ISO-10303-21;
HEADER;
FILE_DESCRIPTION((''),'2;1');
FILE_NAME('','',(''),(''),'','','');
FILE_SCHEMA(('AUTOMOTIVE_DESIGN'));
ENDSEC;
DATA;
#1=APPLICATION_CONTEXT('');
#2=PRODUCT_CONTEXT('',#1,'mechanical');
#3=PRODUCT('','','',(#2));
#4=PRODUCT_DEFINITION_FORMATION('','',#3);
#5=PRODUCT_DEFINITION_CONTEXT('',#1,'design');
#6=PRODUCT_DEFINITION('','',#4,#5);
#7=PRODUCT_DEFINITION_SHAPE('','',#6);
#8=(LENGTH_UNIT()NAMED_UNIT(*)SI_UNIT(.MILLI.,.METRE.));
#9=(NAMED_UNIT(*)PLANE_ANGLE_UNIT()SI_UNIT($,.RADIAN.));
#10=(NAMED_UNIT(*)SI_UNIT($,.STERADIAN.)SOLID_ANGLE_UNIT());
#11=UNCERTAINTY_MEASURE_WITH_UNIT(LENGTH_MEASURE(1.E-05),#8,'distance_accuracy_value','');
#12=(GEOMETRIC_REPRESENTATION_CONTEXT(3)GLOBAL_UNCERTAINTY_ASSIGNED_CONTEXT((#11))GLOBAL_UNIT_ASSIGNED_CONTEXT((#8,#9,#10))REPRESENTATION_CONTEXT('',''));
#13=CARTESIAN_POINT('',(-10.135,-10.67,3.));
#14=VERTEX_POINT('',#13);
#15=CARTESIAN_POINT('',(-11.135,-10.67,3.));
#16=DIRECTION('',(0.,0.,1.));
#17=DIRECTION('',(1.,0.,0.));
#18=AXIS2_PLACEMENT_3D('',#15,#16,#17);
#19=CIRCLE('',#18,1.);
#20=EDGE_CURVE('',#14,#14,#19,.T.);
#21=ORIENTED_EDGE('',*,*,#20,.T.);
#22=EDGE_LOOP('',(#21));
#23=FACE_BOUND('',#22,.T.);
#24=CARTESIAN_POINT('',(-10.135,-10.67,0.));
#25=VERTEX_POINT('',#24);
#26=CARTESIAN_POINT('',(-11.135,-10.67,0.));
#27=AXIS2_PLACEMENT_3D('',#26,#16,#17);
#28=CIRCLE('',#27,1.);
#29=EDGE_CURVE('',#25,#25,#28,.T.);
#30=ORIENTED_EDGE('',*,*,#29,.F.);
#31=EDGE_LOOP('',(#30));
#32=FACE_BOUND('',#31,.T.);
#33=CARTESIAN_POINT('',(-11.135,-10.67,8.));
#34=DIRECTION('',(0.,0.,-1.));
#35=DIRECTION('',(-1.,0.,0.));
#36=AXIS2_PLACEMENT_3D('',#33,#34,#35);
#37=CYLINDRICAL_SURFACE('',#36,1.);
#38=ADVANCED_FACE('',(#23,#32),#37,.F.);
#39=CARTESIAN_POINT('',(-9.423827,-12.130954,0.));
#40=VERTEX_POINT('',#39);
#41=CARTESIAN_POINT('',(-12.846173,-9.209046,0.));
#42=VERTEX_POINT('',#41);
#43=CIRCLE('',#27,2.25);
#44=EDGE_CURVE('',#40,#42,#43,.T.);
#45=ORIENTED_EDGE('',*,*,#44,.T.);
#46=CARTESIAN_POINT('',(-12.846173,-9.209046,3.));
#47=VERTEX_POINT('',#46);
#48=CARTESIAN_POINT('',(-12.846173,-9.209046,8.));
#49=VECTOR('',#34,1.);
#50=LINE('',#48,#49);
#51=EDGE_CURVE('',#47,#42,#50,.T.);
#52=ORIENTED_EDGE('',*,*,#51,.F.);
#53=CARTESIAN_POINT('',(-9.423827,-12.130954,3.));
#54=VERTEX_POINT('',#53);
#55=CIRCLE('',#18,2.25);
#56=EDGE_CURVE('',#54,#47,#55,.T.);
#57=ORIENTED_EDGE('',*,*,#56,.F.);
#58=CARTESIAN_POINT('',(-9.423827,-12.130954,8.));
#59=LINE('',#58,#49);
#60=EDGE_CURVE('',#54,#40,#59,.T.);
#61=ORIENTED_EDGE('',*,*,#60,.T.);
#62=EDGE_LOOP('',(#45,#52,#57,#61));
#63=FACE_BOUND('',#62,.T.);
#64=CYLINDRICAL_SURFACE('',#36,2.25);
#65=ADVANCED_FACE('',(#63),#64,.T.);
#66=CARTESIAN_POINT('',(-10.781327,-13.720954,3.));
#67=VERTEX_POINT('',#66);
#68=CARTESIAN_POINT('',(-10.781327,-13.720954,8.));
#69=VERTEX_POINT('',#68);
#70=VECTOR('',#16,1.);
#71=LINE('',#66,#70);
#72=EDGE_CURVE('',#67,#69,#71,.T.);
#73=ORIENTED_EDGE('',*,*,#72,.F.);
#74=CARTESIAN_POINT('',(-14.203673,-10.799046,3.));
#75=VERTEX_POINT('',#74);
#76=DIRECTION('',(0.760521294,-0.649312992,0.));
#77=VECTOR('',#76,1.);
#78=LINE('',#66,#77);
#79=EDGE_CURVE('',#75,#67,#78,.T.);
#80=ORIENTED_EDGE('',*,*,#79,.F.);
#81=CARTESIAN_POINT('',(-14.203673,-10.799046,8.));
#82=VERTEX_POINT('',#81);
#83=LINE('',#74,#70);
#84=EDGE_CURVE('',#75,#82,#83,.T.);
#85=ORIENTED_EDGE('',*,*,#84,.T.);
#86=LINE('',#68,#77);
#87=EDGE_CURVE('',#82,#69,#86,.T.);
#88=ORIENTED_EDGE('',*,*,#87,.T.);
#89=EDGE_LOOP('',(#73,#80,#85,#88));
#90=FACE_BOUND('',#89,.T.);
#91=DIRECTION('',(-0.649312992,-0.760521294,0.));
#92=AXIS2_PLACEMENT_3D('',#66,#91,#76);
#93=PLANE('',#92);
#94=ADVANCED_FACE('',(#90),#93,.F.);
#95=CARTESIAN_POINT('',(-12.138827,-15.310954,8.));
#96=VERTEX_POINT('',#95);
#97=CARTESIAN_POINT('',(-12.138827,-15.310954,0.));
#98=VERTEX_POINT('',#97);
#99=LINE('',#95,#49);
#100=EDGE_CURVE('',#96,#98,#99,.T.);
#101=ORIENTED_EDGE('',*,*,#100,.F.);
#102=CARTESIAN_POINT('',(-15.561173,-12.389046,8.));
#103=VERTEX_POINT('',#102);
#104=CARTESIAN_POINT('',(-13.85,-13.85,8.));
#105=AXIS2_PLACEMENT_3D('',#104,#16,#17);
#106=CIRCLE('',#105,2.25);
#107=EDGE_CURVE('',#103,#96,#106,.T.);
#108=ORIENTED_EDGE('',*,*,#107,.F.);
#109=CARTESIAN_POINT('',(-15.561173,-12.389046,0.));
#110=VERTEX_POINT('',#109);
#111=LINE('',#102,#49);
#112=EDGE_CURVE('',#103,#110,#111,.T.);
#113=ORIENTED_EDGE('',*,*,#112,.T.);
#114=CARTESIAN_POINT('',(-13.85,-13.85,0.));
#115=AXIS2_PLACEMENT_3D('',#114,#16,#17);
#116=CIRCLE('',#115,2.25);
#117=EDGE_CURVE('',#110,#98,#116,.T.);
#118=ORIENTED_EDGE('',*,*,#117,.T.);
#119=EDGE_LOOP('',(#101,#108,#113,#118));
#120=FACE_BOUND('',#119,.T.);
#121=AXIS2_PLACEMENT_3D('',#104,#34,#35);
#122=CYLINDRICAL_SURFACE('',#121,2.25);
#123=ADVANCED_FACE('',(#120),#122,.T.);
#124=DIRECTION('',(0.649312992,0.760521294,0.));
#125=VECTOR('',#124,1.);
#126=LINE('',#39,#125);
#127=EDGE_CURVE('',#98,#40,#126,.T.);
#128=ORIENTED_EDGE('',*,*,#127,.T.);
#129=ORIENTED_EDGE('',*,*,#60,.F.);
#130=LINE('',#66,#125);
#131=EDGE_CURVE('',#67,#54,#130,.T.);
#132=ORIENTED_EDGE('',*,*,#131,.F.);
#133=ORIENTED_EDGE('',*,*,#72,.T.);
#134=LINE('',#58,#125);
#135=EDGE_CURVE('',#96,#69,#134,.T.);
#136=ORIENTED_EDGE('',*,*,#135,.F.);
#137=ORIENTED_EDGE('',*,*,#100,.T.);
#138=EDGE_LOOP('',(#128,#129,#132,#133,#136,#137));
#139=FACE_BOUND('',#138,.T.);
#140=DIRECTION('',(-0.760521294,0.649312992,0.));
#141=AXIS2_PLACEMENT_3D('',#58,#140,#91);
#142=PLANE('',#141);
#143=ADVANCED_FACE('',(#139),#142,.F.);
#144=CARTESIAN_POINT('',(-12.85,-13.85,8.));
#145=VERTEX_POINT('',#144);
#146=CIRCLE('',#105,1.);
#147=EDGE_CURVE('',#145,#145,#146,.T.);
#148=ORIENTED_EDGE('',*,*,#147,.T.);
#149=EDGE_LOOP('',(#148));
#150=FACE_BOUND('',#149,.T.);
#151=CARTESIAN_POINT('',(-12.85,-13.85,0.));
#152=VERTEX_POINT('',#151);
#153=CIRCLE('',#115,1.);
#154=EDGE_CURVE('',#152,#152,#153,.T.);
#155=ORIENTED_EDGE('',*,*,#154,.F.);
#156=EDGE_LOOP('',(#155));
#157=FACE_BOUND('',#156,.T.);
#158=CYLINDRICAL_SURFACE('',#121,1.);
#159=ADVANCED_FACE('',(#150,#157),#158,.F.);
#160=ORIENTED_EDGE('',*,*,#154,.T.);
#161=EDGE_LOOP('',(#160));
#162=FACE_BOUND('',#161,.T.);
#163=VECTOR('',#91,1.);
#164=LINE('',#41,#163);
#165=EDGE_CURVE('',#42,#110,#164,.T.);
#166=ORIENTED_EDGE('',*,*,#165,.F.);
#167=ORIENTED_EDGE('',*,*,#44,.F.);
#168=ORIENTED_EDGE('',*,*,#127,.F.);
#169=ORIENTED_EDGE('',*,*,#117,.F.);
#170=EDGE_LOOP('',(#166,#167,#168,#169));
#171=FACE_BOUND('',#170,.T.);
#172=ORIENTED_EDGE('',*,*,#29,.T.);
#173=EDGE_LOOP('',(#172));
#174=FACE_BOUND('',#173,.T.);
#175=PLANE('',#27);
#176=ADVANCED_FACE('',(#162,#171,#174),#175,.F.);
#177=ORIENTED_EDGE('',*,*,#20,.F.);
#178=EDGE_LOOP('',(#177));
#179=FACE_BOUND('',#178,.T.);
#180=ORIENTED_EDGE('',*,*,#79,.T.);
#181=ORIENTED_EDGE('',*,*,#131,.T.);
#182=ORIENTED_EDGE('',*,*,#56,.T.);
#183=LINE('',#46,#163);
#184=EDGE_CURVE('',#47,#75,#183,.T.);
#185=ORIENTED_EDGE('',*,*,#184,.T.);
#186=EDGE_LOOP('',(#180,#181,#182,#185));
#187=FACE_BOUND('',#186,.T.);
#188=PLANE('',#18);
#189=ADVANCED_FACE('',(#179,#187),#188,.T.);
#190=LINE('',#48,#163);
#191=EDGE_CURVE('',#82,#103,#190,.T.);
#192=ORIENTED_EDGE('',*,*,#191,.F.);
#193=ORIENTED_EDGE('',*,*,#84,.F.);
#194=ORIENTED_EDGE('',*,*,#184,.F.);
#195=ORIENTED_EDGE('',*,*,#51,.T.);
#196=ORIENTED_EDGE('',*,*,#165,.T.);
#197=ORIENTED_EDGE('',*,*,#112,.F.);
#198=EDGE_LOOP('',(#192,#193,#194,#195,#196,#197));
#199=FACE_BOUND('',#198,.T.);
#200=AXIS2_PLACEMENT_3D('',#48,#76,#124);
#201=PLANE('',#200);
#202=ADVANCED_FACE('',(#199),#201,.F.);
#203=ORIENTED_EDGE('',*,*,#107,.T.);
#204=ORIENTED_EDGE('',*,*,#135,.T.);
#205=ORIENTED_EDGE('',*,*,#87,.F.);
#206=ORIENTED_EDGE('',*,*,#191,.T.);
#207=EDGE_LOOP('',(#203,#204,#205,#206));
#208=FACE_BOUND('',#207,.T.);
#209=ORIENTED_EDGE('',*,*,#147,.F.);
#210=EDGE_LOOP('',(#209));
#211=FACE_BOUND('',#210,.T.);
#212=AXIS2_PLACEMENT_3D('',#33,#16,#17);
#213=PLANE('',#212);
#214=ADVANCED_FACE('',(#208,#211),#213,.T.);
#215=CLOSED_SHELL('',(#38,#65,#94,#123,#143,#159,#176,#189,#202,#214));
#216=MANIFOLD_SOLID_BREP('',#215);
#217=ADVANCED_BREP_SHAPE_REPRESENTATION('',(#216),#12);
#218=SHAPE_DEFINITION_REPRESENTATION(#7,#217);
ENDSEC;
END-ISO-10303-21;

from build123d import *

# Parameters (mm, degrees)
SKETCH3_R           = 1
BOSS_EXTRUDE1_DEPTH = 8
CUT_EXTRUDE1_START  = -5
CUT_EXTRUDE1_DEPTH  = 5


with BuildPart() as part:
    # Sketch3 → Boss-Extrude1 (new body)
    with BuildSketch(Plane(origin=(0, 0, 0), x_dir=(0, 1, 0), z_dir=(0, 0, 1))):
        with BuildLine():
            Line((-9.209045769, 12.846172912), (-12.389045769, 15.561172912))
            ThreePointArc((-12.389045769, 15.561172912), (-15.561172912, 15.310954231), (-15.310954231, 12.138827088))
            Line((-15.310954231, 12.138827088), (-12.130954231, 9.423827088))
            ThreePointArc((-12.130954231, 9.423827088), (-8.958827088, 9.674045769), (-9.209045769, 12.846172912))
        make_face()
        with Locations(Location((-13.85, 13.85, 0), (0, 0, 270))):
            Circle(SKETCH3_R, mode=Mode.SUBTRACT)
        with Locations(Location((-10.67, 11.135, 0), (0, 0, 270))):
            Circle(SKETCH3_R, mode=Mode.SUBTRACT)
    extrude(amount=BOSS_EXTRUDE1_DEPTH)

    # Sketch4 → Cut-Extrude1 (cut)
    with BuildSketch(Plane.XY.offset(8).offset(CUT_EXTRUDE1_START)):
        with BuildLine():
            Line((-12.846172912, -9.209045769), (-14.203672912, -10.799045769))
            Line((-14.203672912, -10.799045769), (-10.781327088, -13.720954231))
            Line((-10.781327088, -13.720954231), (-9.423827088, -12.130954231))
            ThreePointArc((-9.423827088, -12.130954231), (-9.674045769, -8.958827088), (-12.846172912, -9.209045769))
        make_face()
    extrude(amount=CUT_EXTRUDE1_DEPTH, mode=Mode.SUBTRACT)


solid = part.part
